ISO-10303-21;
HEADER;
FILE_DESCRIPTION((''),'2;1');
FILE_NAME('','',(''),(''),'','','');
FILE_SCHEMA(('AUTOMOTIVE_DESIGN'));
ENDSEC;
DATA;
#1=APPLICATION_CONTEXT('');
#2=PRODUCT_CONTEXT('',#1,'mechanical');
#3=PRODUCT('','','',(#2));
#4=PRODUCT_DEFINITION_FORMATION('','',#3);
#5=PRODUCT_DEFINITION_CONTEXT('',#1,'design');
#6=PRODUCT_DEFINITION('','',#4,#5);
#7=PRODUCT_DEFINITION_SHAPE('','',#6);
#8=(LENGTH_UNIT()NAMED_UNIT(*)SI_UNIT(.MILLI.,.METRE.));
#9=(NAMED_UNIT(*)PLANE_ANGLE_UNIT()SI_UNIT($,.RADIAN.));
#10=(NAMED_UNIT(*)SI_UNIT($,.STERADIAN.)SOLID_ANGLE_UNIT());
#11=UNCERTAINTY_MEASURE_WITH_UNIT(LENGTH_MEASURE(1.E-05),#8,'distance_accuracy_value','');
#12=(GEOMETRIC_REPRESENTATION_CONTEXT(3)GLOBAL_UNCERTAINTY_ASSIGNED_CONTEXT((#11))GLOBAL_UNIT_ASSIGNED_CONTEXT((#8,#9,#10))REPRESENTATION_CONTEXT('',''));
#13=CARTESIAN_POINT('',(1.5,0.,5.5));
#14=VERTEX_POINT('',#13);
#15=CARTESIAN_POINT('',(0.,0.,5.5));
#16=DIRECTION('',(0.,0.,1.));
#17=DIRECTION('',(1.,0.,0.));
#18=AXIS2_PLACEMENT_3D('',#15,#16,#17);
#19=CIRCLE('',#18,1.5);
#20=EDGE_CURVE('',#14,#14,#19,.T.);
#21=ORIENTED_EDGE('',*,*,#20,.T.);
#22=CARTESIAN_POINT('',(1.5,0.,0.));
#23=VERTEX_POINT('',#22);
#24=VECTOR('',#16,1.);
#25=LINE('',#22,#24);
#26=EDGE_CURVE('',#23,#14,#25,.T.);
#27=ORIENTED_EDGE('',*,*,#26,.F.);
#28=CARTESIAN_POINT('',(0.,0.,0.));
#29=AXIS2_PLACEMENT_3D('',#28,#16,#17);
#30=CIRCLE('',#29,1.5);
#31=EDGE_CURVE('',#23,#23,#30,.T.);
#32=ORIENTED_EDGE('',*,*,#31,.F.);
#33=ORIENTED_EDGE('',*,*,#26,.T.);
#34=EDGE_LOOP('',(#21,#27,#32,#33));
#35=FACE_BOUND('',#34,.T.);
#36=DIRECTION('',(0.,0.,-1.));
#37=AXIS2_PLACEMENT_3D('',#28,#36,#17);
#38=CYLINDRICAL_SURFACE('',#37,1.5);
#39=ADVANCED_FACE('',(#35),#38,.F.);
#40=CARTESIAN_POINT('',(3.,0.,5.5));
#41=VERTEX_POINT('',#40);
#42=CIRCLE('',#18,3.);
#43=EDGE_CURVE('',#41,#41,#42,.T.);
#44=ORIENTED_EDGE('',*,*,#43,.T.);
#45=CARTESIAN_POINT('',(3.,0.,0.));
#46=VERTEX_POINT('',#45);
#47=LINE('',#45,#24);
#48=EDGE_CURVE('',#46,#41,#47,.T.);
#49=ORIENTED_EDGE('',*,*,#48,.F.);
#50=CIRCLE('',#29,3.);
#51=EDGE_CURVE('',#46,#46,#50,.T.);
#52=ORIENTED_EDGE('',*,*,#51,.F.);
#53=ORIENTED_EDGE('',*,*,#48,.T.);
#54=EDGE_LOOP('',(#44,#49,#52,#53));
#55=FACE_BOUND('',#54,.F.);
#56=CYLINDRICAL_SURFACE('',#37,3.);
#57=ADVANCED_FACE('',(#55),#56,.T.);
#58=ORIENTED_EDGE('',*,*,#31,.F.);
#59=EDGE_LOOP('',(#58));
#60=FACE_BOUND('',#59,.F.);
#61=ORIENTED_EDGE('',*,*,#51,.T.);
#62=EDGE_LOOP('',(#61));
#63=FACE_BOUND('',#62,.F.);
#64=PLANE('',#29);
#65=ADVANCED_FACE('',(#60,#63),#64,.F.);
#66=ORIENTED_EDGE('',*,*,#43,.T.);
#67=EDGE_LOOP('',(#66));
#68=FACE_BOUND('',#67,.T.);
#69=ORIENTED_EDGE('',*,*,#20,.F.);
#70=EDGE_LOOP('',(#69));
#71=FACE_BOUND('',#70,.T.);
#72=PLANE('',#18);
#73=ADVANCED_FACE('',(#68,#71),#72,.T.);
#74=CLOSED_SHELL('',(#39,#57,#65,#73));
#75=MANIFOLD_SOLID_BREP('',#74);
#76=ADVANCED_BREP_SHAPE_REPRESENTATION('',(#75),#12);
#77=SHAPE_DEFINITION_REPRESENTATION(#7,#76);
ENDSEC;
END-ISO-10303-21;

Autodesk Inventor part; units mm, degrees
ref_plane "YZ Plane" through (0, 0, 0) normal (1, 0, 0) x (0, 1, 0)
ref_plane "XZ Plane" through (0, 0, 0) normal (0, 1, 0) x (-1, 0, 0)
ref_plane "XY Plane" through (0, 0, 0) normal (0, 0, 1) x (1, 0, 0)
sketch "スケッチ1" plane through (0, 0, 0) normal (0, 0, 1) x (1, 0, 0)
  circle A0 centre (0, 0) radius 3
  circle A1 centre (0, 0) radius 1.5
  dimension "d0" = 6
  dimension "d1" = 3
extrude "押し出し1" add sketch "スケッチ1" along normal blind 5.5
properties part number "スペーサーm3-5.5　簡易筒型" material "アルミニウム 2014-T4"
